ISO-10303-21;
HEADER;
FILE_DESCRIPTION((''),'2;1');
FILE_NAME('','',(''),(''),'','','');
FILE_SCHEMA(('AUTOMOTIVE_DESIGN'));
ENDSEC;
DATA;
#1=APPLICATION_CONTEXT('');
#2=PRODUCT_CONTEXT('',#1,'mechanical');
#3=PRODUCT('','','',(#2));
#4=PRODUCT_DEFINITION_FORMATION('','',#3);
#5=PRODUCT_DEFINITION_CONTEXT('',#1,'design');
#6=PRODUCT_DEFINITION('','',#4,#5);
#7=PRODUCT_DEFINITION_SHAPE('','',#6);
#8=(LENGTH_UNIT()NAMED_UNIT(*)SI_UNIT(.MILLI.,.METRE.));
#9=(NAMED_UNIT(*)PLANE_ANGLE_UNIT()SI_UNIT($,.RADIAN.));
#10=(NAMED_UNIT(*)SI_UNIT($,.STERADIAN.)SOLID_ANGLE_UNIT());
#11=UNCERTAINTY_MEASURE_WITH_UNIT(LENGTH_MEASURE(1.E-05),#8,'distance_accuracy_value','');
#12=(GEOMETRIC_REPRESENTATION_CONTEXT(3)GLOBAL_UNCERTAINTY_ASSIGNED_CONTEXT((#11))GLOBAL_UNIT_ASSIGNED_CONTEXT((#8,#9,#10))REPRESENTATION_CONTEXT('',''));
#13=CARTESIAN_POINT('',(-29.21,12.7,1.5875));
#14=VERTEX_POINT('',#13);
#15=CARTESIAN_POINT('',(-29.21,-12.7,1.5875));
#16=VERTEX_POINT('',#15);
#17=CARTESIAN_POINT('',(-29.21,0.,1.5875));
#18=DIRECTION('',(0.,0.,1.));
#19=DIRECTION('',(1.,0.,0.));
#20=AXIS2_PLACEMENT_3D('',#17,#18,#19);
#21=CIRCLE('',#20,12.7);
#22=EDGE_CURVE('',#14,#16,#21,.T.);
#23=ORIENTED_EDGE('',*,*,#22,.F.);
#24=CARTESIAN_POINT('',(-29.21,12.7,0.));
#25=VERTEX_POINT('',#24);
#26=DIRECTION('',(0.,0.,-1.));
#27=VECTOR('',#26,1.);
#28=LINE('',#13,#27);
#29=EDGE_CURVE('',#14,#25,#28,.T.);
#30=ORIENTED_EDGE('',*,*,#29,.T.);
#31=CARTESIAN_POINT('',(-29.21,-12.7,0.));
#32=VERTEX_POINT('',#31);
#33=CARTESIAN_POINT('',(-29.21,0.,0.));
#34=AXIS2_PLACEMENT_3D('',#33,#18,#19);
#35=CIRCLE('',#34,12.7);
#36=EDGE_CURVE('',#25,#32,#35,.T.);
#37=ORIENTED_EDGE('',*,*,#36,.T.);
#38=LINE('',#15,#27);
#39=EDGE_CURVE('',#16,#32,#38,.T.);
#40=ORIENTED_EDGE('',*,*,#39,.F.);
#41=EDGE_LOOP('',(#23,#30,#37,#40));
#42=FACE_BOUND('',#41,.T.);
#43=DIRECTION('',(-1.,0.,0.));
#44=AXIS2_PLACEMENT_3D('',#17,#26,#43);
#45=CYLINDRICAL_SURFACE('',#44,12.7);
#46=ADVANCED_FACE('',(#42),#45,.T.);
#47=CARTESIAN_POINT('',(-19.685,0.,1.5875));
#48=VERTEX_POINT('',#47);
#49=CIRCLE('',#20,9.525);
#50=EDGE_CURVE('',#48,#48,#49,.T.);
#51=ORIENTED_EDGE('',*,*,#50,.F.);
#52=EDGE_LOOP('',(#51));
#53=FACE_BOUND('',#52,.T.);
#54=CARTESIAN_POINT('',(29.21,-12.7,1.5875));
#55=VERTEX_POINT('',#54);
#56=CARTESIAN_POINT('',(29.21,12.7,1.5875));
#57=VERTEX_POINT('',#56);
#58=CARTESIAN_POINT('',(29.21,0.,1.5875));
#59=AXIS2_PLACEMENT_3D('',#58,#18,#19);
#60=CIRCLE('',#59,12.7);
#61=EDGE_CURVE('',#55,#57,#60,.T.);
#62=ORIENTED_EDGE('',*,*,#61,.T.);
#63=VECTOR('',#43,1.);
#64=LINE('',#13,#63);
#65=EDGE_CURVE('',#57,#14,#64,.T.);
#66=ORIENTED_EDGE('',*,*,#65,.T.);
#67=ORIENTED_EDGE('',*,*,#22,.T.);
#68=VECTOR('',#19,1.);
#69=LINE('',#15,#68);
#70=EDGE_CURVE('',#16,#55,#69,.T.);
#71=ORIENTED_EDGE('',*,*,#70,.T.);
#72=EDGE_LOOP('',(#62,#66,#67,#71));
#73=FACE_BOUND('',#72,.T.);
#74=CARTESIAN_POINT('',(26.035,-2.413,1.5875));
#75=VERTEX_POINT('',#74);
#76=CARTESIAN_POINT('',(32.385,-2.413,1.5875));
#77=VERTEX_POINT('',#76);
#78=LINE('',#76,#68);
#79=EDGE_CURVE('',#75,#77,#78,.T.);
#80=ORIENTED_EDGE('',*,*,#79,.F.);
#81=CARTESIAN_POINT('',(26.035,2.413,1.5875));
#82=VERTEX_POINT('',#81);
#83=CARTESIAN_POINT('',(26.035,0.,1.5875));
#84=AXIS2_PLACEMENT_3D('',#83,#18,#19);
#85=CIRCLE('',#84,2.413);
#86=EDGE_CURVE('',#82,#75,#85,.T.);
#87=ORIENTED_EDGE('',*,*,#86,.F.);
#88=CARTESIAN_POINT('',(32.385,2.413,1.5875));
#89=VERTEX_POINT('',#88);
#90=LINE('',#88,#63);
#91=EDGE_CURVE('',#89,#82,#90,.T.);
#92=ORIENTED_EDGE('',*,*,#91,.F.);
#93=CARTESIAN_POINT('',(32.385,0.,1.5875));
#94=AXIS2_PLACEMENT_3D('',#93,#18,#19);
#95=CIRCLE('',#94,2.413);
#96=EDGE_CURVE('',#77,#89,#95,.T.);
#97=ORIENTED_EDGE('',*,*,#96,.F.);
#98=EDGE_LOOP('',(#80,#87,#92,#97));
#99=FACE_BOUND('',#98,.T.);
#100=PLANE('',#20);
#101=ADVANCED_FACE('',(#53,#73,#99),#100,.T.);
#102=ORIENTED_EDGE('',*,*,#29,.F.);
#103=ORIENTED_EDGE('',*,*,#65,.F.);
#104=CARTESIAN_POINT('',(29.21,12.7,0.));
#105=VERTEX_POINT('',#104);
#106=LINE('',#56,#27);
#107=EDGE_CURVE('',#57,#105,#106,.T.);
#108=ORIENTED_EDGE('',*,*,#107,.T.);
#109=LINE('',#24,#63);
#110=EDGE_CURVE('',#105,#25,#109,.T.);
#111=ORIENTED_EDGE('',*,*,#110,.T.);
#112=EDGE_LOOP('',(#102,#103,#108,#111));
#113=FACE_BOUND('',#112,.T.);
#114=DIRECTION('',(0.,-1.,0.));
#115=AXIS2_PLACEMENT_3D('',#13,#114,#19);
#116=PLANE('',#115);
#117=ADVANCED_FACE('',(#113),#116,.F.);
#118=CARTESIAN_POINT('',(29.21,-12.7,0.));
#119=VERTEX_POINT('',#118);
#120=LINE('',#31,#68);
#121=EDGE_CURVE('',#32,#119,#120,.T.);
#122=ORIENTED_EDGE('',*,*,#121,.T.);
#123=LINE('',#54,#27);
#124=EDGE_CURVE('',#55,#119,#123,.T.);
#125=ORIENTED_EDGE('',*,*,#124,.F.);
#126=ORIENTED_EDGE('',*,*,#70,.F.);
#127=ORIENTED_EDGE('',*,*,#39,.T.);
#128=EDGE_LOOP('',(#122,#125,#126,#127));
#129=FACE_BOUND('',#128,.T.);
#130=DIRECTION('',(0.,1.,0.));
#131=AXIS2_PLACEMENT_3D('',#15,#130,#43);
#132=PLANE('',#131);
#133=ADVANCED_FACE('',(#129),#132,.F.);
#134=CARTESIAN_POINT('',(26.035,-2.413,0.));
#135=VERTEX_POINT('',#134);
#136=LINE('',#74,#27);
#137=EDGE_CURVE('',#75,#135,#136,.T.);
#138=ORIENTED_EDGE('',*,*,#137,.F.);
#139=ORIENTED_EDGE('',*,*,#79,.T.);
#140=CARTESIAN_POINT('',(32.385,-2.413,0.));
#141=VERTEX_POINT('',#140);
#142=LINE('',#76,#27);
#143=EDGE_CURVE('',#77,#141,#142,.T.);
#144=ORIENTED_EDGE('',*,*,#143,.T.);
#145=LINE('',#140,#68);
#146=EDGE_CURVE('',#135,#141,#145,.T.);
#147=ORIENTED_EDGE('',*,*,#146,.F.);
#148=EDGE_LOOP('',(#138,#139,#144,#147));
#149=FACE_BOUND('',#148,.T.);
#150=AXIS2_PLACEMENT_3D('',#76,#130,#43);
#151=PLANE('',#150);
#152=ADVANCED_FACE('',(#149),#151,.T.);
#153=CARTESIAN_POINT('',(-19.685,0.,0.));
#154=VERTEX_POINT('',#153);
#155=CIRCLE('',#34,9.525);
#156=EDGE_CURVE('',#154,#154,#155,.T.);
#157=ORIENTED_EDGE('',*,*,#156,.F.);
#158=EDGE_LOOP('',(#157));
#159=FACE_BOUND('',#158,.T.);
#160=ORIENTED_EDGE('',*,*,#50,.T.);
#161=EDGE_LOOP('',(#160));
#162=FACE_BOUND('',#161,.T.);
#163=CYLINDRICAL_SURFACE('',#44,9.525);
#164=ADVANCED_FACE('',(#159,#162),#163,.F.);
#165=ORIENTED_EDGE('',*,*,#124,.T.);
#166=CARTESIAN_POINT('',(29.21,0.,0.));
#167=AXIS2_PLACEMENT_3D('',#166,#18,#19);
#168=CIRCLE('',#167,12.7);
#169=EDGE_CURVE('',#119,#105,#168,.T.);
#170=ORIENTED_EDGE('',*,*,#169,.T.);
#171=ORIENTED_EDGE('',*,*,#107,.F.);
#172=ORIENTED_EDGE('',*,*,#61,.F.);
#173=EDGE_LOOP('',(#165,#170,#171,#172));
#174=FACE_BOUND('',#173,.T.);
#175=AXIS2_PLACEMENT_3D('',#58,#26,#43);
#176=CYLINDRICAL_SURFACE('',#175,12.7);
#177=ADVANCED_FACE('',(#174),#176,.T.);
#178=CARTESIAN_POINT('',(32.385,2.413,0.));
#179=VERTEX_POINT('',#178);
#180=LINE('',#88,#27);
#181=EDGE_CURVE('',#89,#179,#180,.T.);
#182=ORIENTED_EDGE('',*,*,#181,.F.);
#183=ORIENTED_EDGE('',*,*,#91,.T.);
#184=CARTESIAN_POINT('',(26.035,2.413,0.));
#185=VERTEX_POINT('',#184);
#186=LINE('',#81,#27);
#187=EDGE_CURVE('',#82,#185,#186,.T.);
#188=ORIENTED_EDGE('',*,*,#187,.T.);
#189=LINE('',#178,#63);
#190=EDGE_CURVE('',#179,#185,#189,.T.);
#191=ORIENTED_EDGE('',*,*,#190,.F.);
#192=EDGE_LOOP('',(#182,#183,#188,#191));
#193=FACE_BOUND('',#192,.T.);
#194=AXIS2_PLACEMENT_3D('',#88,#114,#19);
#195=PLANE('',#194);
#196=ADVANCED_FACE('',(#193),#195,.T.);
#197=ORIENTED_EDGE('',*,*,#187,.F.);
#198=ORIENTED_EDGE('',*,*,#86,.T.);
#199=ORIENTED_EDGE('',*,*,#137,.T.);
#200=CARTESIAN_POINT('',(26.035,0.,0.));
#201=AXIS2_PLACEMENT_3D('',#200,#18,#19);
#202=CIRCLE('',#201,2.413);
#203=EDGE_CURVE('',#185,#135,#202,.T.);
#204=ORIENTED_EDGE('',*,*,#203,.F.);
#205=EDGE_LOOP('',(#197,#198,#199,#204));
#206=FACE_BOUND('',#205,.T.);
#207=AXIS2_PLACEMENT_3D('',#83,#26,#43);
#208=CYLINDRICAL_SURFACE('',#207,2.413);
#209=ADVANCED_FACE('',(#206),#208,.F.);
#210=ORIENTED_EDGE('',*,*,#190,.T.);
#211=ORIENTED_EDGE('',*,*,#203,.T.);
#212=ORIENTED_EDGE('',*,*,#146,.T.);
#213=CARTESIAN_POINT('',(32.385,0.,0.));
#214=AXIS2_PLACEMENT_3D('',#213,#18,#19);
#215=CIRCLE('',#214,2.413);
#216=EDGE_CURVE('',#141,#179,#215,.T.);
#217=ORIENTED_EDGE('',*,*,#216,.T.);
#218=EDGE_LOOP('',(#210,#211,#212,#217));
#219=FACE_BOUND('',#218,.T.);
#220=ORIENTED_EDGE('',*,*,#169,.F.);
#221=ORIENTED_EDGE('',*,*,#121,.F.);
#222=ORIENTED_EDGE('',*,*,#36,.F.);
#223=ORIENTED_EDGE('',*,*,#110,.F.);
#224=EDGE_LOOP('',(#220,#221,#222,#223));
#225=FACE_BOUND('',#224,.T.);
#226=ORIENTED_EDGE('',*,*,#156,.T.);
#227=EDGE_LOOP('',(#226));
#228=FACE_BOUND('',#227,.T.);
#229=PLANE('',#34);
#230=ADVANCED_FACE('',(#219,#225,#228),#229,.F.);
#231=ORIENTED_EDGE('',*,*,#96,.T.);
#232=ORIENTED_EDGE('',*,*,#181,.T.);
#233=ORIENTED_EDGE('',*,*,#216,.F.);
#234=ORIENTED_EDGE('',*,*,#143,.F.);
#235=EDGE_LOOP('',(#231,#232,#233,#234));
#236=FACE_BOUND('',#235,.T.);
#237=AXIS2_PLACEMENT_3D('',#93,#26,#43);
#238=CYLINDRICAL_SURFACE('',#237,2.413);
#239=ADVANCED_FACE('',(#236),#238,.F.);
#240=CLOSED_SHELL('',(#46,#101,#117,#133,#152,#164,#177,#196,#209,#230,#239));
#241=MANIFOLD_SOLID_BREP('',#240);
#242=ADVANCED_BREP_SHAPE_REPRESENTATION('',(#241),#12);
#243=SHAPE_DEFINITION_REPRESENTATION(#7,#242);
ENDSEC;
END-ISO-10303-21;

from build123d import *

# Parameters (mm, degrees)
SKETCH1_R           = 9.525
BOSS_EXTRUDE1_DEPTH = 1.5875


with BuildPart() as part:
    # Sketch1 → Boss-Extrude1 (new body)
    with BuildSketch(Plane.XY):
        with BuildLine():
            Line((-29.21, 12.7), (29.21, 12.7))
            ThreePointArc((29.21, 12.7), (41.91, 0), (29.21, -12.7))
            Line((29.21, -12.7), (-29.21, -12.7))
            ThreePointArc((-29.21, -12.7), (-41.91, 0), (-29.21, 12.7))
        make_face()
        with Locations((-29.21, 0)):
            Circle(SKETCH1_R, mode=Mode.SUBTRACT)
        with BuildLine():
            Line((32.385, -2.413), (26.035, -2.413))
            ThreePointArc((26.035, -2.413), (23.622, 0), (26.035, 2.413))
            Line((26.035, 2.413), (32.385, 2.413))
            ThreePointArc((32.385, 2.413), (34.798, 0), (32.385, -2.413))
        make_face(mode=Mode.SUBTRACT)
    extrude(amount=BOSS_EXTRUDE1_DEPTH)


solid = part.part
